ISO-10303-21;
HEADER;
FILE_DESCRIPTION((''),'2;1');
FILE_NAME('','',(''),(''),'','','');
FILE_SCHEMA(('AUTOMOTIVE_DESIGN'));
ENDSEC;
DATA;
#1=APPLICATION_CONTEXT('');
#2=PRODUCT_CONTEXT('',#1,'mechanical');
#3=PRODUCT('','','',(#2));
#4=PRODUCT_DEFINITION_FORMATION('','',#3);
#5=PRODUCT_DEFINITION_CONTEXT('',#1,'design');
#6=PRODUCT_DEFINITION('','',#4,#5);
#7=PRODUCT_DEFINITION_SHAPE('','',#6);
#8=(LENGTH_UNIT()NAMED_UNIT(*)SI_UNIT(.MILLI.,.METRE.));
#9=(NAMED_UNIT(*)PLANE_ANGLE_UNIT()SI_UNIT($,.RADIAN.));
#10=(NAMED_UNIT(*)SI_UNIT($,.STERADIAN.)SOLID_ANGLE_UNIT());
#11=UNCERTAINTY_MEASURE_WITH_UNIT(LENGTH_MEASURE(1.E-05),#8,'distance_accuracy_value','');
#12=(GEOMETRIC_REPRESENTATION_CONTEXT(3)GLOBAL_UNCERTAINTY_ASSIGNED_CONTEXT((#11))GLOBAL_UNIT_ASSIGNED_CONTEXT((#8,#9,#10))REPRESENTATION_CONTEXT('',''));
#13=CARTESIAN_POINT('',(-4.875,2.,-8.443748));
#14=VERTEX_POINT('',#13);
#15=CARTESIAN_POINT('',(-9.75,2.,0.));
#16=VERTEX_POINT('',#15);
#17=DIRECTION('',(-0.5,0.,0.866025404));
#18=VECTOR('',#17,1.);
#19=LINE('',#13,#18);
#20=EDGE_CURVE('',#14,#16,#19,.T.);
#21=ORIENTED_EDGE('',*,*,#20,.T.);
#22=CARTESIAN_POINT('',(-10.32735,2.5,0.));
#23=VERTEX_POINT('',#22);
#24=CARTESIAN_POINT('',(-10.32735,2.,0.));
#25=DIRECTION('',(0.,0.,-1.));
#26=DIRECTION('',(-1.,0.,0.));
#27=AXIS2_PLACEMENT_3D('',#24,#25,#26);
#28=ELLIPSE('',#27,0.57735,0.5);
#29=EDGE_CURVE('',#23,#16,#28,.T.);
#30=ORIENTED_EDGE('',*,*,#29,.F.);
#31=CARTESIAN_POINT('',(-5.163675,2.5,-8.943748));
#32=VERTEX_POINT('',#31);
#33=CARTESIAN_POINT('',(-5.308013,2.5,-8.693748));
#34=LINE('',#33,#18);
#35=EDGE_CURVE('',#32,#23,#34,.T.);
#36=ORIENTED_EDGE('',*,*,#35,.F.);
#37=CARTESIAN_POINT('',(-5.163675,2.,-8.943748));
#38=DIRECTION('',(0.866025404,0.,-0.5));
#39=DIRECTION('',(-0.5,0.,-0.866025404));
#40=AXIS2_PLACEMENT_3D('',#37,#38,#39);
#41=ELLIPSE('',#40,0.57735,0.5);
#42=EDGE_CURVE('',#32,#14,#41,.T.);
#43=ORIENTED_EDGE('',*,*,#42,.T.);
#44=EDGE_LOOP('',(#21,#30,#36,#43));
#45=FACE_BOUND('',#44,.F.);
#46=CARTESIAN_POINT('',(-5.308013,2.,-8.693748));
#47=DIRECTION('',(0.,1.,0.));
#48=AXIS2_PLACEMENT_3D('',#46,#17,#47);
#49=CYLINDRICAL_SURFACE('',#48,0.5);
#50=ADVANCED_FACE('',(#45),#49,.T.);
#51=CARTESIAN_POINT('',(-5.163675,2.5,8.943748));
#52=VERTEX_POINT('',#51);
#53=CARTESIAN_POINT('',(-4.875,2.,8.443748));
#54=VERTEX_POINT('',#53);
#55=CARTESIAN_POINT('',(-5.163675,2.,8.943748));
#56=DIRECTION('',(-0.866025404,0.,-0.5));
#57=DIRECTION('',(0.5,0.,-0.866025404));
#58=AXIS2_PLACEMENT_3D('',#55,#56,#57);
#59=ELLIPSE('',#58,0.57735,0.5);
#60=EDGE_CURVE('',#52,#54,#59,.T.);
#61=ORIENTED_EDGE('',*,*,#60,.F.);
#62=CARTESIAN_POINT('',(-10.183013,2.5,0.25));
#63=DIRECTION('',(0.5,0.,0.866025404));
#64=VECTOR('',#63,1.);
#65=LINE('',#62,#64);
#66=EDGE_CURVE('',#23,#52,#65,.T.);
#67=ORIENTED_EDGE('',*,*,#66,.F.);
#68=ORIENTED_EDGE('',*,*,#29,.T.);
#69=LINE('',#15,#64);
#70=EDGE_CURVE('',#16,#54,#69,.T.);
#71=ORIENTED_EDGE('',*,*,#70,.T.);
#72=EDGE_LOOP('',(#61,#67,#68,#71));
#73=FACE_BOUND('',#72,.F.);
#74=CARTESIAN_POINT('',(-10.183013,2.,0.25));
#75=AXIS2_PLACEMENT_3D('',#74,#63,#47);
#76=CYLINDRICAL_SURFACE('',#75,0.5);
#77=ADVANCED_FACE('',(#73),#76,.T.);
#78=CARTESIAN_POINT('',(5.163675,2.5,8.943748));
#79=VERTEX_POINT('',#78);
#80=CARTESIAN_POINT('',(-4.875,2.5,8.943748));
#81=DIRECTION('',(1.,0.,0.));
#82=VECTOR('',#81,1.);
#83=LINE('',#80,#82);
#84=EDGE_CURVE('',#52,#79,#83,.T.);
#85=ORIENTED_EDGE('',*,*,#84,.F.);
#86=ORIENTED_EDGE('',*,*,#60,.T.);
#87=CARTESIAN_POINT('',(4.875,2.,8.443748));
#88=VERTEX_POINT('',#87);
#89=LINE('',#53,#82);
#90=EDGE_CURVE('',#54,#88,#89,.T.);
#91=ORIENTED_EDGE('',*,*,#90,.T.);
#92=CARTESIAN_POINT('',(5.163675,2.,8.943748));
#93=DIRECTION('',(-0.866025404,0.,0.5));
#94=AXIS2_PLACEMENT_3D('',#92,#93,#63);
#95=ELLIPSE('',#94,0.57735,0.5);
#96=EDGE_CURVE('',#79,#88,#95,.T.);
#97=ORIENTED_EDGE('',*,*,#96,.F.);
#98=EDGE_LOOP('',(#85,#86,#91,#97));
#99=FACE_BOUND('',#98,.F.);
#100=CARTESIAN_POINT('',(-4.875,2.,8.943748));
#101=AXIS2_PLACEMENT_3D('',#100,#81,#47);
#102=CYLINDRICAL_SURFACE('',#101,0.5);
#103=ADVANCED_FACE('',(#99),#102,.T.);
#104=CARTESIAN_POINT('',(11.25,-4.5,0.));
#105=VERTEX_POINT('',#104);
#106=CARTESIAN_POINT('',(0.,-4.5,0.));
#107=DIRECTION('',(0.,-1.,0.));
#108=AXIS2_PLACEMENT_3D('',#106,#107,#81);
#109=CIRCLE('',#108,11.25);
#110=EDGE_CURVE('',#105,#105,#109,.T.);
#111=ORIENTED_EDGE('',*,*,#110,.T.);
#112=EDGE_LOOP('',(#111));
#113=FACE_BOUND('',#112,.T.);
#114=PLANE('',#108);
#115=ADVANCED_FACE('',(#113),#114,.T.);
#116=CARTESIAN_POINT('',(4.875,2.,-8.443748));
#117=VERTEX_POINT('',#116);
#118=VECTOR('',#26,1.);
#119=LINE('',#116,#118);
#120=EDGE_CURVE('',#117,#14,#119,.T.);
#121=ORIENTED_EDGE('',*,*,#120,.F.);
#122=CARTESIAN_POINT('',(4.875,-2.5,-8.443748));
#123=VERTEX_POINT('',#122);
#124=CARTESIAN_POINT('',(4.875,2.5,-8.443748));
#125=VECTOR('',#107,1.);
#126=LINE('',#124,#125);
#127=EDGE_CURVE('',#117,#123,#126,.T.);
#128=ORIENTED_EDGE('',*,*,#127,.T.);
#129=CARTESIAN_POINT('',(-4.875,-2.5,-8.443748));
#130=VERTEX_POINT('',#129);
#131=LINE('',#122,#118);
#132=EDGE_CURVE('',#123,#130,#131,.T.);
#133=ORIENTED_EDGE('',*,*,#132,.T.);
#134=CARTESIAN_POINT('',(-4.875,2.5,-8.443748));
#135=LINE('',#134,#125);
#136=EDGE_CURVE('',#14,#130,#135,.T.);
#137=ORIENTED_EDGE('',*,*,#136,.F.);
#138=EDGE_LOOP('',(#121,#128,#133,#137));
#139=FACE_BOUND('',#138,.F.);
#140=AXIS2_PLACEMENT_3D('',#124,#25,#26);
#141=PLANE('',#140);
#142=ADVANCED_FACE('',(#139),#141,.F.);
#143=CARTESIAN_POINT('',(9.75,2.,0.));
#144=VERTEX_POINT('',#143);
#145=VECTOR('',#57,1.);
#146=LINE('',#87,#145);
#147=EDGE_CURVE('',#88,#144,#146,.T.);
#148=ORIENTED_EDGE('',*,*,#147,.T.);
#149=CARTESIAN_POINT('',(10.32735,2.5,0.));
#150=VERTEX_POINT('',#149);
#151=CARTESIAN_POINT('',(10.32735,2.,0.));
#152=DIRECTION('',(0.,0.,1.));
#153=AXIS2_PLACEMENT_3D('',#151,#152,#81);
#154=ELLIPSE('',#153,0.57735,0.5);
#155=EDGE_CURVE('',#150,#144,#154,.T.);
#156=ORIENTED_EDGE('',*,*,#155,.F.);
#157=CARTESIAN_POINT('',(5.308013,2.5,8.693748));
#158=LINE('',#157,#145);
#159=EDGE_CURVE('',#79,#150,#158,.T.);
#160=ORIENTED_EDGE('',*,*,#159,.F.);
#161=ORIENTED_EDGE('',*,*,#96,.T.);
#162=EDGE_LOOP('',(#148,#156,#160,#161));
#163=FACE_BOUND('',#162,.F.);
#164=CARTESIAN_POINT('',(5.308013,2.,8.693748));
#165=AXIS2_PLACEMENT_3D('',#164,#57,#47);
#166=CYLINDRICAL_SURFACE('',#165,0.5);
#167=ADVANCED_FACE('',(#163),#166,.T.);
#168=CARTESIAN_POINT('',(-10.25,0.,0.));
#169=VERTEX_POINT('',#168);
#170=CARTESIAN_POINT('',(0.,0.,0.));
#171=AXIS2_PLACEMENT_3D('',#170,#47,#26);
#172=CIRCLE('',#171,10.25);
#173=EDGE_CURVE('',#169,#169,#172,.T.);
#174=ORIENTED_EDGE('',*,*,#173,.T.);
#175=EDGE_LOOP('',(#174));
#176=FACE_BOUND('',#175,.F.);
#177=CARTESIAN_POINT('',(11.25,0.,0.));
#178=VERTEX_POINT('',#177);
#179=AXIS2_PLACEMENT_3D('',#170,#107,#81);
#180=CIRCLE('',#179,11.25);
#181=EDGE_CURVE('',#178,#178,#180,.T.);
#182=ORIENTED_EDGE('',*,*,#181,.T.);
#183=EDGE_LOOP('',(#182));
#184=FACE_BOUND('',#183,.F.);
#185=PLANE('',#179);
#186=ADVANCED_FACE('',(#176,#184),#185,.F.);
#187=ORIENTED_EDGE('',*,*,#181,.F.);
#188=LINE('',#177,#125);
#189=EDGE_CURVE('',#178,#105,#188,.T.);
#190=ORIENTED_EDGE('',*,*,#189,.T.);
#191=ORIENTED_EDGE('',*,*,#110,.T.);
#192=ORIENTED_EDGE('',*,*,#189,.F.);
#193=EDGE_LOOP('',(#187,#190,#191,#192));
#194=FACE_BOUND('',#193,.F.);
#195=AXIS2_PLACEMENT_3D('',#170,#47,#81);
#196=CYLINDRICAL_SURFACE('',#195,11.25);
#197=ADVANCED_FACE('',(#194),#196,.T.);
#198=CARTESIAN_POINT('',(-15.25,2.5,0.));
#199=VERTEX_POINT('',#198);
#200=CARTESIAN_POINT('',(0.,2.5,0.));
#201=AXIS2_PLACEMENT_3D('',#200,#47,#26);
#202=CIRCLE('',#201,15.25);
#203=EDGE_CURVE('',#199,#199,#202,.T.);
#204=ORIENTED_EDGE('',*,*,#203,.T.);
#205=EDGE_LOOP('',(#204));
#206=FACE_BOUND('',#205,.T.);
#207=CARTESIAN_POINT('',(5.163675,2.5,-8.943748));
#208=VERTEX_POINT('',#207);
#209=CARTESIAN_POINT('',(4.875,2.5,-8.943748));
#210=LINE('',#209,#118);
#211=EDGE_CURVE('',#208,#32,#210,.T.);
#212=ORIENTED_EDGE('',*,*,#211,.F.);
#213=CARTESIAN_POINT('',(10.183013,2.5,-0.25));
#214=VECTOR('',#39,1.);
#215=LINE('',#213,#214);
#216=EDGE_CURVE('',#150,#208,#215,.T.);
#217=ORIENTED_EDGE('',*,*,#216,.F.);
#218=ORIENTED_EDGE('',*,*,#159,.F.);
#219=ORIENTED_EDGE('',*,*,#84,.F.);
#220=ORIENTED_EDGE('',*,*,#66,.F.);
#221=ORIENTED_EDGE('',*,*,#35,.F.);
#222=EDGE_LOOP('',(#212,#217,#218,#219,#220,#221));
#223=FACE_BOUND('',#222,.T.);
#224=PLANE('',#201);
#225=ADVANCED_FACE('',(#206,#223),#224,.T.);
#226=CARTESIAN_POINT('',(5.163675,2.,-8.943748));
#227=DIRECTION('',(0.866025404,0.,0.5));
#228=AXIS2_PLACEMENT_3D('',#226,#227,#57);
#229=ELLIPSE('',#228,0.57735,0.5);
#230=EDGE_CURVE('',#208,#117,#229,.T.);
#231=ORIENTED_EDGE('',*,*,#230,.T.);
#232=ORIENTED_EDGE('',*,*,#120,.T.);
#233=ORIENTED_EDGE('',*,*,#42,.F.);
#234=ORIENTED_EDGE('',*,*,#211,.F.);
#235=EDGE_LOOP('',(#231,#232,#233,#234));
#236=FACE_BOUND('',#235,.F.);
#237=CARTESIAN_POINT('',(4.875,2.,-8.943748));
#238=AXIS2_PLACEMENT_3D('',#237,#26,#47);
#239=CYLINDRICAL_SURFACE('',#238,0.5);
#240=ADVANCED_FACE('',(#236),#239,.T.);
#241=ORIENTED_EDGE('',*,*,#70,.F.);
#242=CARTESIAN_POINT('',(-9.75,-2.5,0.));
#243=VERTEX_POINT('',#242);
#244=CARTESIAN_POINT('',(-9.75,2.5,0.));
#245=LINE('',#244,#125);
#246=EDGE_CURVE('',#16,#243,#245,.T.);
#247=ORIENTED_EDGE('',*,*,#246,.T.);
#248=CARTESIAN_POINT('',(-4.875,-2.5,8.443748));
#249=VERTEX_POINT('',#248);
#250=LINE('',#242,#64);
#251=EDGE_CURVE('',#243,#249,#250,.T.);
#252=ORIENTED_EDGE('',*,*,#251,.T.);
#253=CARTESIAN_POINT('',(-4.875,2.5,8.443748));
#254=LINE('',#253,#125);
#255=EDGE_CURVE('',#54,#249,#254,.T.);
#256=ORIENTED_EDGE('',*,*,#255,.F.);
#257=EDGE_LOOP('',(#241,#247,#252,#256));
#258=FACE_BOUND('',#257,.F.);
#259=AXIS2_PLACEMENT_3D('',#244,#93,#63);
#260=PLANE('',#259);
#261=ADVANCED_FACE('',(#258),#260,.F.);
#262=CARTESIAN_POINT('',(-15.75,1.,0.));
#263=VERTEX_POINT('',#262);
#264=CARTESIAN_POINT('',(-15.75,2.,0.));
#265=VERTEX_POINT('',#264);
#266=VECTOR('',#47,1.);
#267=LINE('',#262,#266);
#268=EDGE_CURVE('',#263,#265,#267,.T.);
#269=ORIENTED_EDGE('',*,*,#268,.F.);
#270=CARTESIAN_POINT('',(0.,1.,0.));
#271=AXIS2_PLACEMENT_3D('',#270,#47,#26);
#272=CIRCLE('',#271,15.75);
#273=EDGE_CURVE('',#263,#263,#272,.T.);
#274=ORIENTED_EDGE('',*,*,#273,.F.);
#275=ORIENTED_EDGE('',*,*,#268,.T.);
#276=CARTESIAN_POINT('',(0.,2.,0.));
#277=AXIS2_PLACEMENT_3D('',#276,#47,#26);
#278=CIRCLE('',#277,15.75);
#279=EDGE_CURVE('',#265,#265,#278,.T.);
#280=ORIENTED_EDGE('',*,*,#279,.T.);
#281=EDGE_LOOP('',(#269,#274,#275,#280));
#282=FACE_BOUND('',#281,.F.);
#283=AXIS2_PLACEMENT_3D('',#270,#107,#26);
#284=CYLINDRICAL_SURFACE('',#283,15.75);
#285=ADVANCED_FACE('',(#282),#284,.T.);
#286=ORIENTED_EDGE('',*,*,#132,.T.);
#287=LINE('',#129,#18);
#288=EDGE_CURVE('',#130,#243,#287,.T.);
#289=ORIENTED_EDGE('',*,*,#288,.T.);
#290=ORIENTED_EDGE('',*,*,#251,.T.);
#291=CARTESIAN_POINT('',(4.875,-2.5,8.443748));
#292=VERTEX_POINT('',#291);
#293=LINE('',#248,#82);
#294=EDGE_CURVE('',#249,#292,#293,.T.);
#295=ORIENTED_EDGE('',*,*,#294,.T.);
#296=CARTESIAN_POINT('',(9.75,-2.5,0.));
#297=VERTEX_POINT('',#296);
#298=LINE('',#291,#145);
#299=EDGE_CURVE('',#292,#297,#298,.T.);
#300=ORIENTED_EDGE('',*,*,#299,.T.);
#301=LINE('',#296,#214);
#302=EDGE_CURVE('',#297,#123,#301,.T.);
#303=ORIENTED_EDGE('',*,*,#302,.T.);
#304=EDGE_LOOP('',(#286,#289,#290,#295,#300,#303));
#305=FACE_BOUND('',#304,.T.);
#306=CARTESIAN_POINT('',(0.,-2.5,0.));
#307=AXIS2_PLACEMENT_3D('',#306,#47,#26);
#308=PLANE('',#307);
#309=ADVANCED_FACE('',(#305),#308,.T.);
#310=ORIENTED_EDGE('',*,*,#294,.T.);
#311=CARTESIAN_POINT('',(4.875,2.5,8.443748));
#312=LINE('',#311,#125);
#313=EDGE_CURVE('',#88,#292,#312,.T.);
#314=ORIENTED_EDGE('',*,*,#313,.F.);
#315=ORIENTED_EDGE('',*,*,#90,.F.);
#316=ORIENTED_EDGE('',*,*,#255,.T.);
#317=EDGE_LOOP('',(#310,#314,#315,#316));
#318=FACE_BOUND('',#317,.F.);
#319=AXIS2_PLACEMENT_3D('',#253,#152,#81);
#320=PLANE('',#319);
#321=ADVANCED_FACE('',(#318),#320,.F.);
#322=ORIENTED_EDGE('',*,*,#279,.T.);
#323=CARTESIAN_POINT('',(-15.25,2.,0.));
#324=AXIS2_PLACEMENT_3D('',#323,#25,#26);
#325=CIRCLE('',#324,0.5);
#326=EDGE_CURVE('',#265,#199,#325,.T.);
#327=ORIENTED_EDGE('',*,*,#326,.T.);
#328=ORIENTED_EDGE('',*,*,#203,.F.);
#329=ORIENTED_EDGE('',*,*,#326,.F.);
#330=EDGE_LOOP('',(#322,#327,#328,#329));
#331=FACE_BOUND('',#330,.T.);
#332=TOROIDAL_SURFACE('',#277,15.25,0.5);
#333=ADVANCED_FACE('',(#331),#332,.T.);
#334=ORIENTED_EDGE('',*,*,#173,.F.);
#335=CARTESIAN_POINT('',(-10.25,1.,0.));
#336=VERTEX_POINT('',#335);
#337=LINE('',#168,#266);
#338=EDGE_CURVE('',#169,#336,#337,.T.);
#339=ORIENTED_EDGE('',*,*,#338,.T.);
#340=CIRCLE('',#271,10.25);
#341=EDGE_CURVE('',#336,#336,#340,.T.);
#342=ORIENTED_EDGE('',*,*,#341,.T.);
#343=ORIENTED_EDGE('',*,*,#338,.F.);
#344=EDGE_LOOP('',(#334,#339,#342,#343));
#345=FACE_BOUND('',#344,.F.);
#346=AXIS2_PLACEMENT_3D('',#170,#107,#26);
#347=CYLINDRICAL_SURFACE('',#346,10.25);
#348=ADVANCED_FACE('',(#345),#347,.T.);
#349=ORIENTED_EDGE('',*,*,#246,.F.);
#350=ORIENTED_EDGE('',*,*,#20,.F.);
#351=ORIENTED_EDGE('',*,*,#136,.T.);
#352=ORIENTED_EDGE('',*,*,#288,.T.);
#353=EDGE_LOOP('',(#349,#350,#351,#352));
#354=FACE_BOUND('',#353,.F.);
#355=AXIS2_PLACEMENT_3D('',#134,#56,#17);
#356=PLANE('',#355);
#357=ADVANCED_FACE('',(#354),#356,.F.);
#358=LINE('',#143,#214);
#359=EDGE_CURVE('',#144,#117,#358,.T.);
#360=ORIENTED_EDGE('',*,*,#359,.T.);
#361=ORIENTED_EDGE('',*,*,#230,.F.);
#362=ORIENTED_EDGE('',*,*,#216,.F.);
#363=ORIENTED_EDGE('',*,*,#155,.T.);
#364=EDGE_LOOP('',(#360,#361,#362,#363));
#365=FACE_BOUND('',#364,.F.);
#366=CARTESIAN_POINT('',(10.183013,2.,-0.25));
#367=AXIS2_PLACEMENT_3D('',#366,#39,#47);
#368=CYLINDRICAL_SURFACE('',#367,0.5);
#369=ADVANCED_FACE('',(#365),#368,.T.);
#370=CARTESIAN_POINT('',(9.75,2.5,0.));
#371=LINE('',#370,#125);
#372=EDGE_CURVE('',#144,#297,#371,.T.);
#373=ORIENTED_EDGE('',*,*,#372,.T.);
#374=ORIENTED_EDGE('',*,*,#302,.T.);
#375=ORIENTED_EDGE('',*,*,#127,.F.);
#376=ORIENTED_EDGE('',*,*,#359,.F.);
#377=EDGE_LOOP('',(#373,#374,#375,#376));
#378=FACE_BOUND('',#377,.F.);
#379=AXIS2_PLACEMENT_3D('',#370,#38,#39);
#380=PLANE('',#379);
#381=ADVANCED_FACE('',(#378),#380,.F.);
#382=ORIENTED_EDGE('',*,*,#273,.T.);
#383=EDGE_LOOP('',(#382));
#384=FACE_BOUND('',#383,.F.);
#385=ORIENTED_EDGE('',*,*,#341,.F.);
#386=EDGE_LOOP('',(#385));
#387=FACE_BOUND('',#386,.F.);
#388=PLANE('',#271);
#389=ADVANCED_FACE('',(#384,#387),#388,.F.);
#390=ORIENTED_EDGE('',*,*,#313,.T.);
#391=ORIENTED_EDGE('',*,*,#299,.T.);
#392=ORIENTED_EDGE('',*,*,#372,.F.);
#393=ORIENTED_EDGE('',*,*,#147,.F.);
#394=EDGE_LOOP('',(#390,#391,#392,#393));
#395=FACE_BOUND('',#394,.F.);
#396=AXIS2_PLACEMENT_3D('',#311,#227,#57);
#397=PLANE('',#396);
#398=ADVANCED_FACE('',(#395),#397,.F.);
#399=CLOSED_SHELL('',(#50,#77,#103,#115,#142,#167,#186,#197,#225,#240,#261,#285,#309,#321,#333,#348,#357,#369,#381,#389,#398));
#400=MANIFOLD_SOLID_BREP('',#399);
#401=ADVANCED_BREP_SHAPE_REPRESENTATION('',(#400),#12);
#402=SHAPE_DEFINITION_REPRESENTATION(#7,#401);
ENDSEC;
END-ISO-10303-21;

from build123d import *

# Parameters (mm, degrees)
F0_R     = 11.25
F1_DEPTH = 4.5
F2_R     = 10.25
F3_DEPTH = 1
F4_R     = 15.75
F5_DEPTH = 1.5
F7_DEPTH = 5
F8_R     = 0.5


with BuildPart() as f1:
    # F0 (on Front) → F1 (new body)
    with BuildSketch(Plane.XZ):
        Circle(F0_R)
    extrude(amount=F1_DEPTH)

    # F2 (on face) → F3 (join)
    with BuildSketch(Plane(origin=(0, 0, 0), x_dir=(-1, 0, 0), z_dir=(0, 1, 0))):
        Circle(F2_R)
    extrude(amount=F3_DEPTH)

    # F4 (on face) → F5 (join)
    with BuildSketch(Plane(origin=(0, 1, 0), x_dir=(-1, 0, 0), z_dir=(0, 1, 0))):
        Circle(F4_R)
    extrude(amount=F5_DEPTH)

    # F6 (on face) → F7 (cut)
    with BuildSketch(Plane(origin=(0, 2.5, 0), x_dir=(-1, 0, 0), z_dir=(0, 1, 0))):
        Polygon((4.875, 8.4437476869), (-4.875, 8.4437476869), (-9.75, 0), (-4.875, -8.4437476869), (4.875, -8.4437476869), (9.75, 0), align=None)
    extrude(amount=-F7_DEPTH, mode=Mode.SUBTRACT)

    # F8
    f8_edges = [f1.edges().sort_by_distance(p)[0] for p in [
        (15.75, 2.5, 0),
        (0, 2.5, 8.443748),
        (7.3125, 2.5, 4.221874),
        (7.3125, 2.5, -4.221874),
        (0, 2.5, -8.443748),
        (-7.3125, 2.5, -4.221874),
        (-7.3125, 2.5, 4.221874),
    ]]
    fillet(f8_edges, radius=F8_R)


solid = f1.part
